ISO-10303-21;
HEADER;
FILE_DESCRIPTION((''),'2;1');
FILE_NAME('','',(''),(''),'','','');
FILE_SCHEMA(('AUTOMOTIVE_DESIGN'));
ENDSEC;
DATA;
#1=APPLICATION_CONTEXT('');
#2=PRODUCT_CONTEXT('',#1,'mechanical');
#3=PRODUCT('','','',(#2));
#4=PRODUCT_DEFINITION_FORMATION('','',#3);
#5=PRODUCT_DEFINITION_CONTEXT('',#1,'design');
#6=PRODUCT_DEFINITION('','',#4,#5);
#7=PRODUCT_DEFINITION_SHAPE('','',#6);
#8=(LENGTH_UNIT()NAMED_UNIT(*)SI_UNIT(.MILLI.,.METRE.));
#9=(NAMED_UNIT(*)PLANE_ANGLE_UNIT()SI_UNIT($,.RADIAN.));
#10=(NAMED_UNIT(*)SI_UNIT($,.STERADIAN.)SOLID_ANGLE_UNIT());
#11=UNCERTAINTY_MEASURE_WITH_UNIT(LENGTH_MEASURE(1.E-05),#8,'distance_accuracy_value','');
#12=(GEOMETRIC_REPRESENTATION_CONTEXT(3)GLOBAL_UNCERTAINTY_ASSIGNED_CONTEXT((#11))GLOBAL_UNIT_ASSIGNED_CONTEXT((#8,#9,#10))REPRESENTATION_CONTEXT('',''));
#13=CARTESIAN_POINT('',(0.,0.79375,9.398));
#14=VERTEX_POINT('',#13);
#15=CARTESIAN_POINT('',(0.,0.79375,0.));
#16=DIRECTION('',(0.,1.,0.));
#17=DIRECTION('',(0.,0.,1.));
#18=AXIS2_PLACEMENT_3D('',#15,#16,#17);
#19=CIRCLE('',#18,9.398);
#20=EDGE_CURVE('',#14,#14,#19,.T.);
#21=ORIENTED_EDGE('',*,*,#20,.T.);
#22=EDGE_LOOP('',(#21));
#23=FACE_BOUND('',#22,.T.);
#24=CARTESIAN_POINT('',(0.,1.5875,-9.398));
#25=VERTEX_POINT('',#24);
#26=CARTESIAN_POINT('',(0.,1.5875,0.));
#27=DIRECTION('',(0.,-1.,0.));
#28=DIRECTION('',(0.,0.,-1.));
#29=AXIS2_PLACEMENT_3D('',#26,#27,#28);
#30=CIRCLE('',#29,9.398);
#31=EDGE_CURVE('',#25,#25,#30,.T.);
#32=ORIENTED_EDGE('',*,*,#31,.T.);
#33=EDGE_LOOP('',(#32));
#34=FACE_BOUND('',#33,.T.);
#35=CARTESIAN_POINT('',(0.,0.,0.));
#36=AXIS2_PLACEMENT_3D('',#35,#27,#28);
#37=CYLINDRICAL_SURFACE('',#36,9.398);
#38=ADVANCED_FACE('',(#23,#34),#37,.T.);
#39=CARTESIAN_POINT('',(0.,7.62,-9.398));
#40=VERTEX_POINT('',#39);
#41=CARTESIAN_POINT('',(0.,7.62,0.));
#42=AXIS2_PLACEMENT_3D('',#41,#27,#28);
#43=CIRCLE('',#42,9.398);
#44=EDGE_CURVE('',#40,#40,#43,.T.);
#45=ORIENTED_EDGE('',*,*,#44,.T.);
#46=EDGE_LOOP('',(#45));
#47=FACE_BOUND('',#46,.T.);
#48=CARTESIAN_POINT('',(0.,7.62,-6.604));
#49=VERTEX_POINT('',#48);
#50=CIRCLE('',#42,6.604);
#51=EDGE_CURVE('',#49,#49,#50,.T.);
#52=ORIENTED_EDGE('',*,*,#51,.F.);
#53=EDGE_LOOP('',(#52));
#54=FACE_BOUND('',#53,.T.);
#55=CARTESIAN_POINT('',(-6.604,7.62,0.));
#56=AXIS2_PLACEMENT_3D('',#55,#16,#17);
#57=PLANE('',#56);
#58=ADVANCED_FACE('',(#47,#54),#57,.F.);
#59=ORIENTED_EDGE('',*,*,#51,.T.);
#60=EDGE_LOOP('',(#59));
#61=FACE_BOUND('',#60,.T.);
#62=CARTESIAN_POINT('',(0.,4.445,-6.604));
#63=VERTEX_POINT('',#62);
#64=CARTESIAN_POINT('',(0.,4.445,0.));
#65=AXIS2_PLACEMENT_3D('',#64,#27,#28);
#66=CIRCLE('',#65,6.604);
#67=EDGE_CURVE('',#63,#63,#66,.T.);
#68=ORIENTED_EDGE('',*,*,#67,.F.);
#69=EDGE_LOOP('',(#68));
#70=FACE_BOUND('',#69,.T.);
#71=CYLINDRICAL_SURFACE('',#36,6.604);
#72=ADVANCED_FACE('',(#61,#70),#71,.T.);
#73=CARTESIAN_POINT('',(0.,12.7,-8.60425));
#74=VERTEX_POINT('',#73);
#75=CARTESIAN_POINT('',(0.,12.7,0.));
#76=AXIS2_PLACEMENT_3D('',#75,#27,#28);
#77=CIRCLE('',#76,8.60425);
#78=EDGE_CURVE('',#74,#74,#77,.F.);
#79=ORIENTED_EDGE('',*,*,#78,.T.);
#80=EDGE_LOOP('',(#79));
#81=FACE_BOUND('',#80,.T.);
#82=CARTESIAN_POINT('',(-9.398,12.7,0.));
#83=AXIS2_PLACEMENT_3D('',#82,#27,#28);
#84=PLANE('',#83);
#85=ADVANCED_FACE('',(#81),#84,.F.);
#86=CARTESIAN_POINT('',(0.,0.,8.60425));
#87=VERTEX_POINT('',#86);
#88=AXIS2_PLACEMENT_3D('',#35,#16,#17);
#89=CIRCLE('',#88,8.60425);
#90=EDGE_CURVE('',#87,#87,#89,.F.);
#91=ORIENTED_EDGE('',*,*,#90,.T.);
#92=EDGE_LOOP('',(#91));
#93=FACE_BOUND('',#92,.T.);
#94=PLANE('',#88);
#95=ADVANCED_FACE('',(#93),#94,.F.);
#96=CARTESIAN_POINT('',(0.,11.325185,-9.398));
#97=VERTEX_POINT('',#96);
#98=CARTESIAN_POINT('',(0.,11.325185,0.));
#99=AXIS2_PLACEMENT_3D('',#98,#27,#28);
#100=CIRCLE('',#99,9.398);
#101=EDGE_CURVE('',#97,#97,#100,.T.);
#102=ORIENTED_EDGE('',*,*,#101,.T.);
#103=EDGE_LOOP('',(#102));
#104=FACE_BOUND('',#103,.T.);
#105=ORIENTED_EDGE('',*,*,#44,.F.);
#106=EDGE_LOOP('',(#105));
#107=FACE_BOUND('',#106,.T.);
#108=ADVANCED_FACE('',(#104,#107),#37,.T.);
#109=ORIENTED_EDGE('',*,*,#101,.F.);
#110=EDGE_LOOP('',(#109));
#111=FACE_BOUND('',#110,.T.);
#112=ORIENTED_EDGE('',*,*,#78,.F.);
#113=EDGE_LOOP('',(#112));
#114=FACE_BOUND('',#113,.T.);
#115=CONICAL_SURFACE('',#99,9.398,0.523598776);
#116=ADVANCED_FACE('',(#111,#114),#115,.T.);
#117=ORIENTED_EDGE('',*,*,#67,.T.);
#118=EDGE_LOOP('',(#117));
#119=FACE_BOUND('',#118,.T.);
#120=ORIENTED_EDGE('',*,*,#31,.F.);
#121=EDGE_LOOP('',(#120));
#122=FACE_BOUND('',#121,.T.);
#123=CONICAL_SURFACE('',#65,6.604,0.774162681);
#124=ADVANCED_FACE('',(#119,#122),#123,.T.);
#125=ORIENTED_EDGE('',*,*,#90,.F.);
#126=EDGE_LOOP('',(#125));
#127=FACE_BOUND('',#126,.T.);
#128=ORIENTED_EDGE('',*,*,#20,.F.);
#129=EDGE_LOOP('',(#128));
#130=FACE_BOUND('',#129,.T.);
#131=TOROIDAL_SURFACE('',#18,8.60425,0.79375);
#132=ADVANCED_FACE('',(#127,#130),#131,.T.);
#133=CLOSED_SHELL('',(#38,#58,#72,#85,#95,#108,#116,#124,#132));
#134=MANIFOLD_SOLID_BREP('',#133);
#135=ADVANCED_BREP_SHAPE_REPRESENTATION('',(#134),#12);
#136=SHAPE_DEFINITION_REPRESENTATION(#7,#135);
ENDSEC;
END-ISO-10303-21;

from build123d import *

# Parameters (mm, degrees)
FILLET1_R      = 0.79375
CHAMFER1_SIZE  = 0.79375
CHAMFER1_SIZE2 = 1.374815329


with BuildPart() as part:
    # Sketch1 → Revolve1 (revolve)
    with BuildSketch(Plane.XY):
        Polygon((0, 0), (-9.398, 0), (-9.398, 1.5875), (-6.604, 4.445), (-6.604, 7.62), (-9.398, 7.62), (-9.398, 12.7), (0, 12.7), align=None)
    revolve(axis=Axis((0, 0, 0), (0, 1, 0)))

    # Fillet1
    fillet1_edges = [part.edges().sort_by_distance(p)[0] for p in [
        (9.398, 0, 0),
    ]]
    fillet(fillet1_edges, radius=FILLET1_R)

    # Chamfer1
    chamfer1_edges = [part.edges().sort_by_distance(p)[0] for p in [
        (9.398, 12.7, 0),
    ]]
    chamfer1_side = [part.faces().sort_by_distance(p)[0] for p in [
        (0, 12.7, 0),
    ]]
    chamfer(chamfer1_edges, length=CHAMFER1_SIZE, length2=CHAMFER1_SIZE2, reference=chamfer1_side[0])


solid = part.part
